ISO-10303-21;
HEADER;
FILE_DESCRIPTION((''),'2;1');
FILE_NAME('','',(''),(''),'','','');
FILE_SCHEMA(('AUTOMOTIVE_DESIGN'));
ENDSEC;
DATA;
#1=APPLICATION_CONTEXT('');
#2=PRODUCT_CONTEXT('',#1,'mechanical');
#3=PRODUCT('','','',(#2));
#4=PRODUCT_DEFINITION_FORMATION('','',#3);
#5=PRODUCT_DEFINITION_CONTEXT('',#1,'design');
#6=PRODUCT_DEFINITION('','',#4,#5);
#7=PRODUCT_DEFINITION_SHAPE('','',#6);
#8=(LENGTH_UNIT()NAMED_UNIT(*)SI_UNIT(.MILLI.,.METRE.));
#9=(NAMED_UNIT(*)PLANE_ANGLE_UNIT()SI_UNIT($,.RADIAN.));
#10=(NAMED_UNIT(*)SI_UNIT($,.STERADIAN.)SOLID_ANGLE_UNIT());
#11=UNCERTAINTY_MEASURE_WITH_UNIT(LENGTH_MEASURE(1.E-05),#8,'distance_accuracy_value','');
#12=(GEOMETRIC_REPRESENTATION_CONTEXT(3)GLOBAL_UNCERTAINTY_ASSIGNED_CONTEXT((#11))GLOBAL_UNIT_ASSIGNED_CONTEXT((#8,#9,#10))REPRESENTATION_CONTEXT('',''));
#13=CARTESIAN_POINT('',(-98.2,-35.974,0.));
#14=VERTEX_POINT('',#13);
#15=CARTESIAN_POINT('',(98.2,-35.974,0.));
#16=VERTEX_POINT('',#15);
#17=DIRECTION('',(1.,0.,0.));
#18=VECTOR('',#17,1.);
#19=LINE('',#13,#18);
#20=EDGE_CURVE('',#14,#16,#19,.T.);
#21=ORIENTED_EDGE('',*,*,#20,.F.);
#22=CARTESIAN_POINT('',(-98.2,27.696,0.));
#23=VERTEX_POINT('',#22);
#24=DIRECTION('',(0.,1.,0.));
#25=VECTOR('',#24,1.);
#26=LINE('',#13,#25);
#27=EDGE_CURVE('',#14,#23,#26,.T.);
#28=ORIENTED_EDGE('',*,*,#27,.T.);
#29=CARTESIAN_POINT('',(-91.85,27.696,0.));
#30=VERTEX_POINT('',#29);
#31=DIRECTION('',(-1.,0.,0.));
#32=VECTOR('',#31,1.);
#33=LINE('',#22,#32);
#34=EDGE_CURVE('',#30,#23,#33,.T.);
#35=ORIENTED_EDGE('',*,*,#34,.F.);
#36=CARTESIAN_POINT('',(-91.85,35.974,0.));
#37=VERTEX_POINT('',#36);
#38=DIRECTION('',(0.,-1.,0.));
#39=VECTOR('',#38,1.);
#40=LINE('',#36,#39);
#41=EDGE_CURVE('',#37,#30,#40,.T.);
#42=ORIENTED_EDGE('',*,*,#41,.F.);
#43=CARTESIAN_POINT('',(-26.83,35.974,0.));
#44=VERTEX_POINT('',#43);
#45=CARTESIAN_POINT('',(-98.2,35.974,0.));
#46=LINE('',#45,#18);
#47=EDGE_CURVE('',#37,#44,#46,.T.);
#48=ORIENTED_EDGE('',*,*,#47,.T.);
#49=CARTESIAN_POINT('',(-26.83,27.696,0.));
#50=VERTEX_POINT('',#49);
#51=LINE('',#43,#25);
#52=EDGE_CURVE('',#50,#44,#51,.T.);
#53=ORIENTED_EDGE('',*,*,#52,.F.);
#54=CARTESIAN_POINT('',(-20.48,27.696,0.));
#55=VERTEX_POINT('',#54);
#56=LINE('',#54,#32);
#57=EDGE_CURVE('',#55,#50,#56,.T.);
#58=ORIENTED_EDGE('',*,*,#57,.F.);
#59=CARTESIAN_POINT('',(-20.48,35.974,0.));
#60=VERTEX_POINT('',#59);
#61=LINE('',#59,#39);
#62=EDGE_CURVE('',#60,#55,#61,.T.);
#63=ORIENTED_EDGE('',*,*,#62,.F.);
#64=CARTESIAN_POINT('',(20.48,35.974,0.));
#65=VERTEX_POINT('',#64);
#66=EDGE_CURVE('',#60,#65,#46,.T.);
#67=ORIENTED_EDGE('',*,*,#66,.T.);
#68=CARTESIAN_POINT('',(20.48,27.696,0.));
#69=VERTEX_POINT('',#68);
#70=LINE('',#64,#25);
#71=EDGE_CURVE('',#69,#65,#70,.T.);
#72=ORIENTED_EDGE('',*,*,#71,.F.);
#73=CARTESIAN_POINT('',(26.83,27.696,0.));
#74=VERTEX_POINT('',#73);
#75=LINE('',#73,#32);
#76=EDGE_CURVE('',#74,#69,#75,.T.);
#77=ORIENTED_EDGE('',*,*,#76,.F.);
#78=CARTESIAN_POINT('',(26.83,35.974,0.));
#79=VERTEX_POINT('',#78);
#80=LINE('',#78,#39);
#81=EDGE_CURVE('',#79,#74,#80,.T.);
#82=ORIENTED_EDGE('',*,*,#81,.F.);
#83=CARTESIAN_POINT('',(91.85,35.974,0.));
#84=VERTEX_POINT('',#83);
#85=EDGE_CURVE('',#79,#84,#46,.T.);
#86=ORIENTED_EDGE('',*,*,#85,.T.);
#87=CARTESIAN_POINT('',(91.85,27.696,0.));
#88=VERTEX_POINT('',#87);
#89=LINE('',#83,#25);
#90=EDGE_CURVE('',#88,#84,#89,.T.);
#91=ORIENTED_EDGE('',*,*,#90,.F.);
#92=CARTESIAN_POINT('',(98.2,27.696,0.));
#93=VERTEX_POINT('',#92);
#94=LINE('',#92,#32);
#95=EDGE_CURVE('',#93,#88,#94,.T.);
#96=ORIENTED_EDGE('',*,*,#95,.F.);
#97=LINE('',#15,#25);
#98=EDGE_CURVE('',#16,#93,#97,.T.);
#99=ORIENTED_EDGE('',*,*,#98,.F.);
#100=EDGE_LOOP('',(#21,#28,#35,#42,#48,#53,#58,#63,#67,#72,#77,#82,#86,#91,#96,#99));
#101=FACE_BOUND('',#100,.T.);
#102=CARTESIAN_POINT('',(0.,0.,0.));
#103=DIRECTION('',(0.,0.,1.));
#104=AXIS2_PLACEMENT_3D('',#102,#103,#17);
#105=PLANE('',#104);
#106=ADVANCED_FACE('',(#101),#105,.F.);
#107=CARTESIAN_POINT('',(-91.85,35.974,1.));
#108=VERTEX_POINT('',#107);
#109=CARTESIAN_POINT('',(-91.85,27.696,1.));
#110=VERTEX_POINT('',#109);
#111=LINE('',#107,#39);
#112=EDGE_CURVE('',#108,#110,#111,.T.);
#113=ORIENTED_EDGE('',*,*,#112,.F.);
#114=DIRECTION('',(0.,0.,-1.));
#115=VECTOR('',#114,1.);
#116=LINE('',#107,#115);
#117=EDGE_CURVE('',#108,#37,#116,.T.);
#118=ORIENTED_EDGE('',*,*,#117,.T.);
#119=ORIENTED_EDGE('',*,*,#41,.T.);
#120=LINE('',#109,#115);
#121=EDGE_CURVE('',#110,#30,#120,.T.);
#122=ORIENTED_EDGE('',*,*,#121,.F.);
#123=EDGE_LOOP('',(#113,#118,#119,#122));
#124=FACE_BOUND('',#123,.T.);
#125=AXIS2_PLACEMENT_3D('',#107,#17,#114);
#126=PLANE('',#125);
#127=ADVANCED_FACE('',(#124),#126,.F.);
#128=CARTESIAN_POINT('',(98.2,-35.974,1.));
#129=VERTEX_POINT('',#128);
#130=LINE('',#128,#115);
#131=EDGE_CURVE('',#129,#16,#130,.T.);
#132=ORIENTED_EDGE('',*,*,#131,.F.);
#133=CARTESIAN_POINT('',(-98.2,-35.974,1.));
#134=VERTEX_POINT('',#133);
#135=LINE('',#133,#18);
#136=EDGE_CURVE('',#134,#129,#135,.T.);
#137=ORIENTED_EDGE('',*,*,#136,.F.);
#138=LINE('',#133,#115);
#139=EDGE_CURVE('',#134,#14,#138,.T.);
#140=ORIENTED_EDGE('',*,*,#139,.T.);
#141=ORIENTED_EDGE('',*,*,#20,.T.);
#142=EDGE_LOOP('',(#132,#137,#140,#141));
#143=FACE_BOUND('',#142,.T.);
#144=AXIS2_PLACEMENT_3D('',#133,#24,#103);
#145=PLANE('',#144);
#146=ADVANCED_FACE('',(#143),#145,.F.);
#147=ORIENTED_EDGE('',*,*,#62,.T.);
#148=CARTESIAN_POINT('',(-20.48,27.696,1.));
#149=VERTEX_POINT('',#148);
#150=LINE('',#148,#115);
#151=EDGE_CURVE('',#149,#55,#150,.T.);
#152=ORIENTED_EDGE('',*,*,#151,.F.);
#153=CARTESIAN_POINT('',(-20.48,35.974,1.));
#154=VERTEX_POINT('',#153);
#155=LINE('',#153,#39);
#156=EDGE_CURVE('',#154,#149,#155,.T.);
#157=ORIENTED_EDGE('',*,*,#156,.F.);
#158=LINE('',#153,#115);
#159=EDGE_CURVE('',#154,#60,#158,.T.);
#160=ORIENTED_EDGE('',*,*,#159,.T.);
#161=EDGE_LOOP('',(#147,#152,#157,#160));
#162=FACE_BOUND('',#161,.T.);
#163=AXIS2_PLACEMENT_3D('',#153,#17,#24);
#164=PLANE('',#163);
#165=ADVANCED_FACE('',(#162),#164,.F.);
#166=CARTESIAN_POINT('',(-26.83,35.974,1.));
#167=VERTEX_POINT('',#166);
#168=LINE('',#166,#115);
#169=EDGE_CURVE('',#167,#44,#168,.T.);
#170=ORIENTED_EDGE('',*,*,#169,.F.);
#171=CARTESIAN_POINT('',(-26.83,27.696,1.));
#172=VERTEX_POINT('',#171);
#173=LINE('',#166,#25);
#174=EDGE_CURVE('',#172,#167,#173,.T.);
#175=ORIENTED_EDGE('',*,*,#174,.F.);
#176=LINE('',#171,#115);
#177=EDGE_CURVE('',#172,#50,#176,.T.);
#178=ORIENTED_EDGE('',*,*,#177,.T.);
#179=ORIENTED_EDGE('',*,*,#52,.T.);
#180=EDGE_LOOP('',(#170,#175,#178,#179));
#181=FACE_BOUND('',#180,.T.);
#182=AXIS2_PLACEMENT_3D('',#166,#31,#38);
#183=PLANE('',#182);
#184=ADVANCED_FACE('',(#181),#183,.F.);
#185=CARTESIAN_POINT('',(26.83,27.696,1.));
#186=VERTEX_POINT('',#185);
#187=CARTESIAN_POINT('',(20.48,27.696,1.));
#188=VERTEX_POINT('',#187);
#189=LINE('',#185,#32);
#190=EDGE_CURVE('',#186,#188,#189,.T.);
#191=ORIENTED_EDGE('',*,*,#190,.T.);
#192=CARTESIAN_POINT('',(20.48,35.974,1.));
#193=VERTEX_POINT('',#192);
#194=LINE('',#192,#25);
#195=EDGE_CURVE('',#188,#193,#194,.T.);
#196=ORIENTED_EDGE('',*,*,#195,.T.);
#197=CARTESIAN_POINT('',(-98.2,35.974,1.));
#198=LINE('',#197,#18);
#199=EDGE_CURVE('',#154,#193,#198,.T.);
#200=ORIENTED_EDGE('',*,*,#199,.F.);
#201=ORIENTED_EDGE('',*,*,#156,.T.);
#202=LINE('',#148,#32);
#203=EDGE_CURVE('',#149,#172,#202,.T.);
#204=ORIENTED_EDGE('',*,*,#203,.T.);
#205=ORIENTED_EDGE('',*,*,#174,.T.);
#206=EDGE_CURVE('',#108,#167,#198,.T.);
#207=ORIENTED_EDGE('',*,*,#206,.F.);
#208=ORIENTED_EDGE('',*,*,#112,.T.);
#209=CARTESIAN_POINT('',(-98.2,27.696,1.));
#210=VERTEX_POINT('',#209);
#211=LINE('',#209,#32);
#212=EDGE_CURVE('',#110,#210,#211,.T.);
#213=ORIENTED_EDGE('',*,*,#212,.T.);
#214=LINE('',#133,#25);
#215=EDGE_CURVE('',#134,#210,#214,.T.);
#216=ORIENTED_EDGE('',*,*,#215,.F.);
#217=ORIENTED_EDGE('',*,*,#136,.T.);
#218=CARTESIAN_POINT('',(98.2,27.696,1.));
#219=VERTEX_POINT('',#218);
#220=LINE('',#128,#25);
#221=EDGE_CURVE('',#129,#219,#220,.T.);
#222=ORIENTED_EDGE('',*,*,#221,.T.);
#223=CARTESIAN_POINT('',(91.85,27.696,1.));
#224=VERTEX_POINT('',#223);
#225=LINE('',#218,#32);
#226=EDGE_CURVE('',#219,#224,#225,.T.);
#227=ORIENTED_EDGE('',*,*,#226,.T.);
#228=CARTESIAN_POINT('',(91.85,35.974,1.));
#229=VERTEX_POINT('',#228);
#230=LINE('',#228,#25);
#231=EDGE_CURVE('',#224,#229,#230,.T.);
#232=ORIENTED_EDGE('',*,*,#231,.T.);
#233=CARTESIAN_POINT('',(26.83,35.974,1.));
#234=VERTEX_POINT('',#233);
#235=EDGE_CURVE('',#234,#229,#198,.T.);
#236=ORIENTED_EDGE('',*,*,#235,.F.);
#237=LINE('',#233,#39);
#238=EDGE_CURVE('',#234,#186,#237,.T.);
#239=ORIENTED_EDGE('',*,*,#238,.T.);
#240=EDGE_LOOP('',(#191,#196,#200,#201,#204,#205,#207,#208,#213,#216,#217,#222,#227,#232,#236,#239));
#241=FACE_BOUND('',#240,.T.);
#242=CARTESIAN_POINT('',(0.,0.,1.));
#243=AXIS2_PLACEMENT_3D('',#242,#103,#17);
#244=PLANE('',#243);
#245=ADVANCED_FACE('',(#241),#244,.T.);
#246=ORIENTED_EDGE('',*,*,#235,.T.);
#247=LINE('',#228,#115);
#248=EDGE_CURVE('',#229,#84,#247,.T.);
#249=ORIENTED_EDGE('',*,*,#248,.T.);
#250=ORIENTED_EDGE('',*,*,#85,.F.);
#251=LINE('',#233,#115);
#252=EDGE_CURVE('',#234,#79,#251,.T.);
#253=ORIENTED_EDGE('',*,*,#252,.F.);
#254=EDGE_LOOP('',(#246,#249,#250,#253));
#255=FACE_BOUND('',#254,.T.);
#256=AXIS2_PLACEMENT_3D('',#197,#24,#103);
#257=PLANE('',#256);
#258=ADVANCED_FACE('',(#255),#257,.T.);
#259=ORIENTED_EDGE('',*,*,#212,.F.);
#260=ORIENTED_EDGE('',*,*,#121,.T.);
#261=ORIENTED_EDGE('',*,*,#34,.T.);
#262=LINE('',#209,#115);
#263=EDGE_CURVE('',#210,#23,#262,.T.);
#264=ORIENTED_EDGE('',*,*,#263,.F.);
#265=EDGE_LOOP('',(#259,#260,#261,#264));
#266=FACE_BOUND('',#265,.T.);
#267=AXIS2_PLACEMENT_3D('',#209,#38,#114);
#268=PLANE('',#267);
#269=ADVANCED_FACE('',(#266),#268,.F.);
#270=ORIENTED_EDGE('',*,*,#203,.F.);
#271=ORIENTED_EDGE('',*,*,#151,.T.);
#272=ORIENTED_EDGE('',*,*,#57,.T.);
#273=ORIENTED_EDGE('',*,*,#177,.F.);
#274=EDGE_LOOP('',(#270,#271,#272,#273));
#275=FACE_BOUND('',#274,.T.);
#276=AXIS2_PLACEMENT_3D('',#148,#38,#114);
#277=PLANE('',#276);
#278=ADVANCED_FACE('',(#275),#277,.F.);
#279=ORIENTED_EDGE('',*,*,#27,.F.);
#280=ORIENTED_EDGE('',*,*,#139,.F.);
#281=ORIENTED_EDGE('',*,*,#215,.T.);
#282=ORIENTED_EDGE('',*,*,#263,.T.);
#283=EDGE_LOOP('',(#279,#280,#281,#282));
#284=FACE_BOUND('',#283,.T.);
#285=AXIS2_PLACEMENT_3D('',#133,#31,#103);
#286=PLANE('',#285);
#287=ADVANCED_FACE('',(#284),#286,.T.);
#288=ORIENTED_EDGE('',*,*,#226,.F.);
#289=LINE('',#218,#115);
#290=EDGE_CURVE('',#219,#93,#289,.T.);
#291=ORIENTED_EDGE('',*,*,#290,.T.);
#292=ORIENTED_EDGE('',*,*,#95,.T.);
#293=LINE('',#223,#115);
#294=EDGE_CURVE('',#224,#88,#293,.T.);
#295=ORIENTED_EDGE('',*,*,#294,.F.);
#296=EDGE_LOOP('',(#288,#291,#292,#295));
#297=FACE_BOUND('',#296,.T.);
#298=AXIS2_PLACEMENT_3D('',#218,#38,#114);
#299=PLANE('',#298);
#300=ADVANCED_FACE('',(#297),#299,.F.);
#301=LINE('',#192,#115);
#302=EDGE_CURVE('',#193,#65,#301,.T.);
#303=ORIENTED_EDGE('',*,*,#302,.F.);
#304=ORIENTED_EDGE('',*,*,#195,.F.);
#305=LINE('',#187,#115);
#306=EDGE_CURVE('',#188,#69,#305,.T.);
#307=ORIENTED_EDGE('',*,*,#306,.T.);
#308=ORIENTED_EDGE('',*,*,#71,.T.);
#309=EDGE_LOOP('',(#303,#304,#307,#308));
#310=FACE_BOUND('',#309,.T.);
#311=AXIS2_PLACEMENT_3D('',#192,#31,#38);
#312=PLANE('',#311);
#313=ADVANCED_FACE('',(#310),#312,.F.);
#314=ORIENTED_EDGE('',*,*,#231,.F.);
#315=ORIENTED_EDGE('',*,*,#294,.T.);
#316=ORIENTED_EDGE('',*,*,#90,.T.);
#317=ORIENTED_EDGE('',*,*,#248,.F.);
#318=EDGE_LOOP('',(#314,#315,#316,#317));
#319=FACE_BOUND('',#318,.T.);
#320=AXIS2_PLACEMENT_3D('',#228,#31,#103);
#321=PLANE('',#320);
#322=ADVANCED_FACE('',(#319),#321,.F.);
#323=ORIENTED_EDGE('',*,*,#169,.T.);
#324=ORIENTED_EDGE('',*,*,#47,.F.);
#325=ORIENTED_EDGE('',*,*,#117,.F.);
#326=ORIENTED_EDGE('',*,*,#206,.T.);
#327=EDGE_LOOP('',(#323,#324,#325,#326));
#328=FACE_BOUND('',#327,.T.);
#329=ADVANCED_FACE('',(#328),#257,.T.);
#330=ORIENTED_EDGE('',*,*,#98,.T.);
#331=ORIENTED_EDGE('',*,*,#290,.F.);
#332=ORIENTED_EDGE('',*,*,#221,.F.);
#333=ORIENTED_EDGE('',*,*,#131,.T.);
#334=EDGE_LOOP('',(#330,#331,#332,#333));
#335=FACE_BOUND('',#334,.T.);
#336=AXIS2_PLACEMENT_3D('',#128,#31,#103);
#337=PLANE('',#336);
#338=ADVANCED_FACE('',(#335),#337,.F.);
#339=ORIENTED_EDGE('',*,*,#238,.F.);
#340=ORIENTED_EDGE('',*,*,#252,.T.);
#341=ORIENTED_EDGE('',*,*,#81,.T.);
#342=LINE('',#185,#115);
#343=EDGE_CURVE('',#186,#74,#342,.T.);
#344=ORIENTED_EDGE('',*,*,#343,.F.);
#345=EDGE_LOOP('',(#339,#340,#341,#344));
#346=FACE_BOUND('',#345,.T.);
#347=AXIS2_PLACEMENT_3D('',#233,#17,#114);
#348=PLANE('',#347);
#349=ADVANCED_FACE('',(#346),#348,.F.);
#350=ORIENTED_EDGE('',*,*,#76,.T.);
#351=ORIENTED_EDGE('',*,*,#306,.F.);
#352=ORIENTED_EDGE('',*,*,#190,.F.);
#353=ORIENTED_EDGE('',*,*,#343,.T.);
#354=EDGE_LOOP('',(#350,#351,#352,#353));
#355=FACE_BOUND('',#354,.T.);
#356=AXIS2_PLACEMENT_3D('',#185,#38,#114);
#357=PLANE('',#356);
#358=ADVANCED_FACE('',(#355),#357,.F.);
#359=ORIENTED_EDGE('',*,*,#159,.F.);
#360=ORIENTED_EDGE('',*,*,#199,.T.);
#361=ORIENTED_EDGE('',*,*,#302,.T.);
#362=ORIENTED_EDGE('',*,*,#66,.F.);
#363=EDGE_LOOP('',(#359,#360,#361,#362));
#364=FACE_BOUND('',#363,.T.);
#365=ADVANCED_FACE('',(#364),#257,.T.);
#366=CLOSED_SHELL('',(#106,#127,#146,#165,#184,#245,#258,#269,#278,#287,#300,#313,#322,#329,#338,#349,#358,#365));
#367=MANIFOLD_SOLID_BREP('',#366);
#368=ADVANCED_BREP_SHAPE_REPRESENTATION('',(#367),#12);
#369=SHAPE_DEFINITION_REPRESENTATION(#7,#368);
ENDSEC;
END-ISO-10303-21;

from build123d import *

# Parameters (mm, degrees)
CROQUIS1_W              = 196.4
CROQUIS1_H              = 71.948
SALIENTE_EXTRUIR1_DEPTH = 1
CROQUIS5_W              = 6.35
CROQUIS5_H              = 8.278
CORTAR_EXTRUIR2_DEPTH   = 2


with BuildPart() as part:
    # Croquis1 → Saliente-Extruir1 (new body)
    with BuildSketch(Plane.XY):
        Rectangle(CROQUIS1_W, CROQUIS1_H)
    extrude(amount=SALIENTE_EXTRUIR1_DEPTH)

    # Croquis5 → Cortar-Extruir2 (cut, through all)
    with BuildSketch(Plane(origin=(0, 0, 0), x_dir=(-1, 0, 0), z_dir=(0, 0, -1))):
        with Locations((-95.025, 31.835)):
            Rectangle(CROQUIS5_W, CROQUIS5_H)
        with Locations((-23.655, 31.835)):
            Rectangle(CROQUIS5_W, CROQUIS5_H)
        with Locations((23.655, 31.835)):
            Rectangle(CROQUIS5_W, CROQUIS5_H)
        with Locations((95.025, 31.835)):
            Rectangle(CROQUIS5_W, CROQUIS5_H)
    extrude(amount=-CORTAR_EXTRUIR2_DEPTH, mode=Mode.SUBTRACT)


solid = part.part
